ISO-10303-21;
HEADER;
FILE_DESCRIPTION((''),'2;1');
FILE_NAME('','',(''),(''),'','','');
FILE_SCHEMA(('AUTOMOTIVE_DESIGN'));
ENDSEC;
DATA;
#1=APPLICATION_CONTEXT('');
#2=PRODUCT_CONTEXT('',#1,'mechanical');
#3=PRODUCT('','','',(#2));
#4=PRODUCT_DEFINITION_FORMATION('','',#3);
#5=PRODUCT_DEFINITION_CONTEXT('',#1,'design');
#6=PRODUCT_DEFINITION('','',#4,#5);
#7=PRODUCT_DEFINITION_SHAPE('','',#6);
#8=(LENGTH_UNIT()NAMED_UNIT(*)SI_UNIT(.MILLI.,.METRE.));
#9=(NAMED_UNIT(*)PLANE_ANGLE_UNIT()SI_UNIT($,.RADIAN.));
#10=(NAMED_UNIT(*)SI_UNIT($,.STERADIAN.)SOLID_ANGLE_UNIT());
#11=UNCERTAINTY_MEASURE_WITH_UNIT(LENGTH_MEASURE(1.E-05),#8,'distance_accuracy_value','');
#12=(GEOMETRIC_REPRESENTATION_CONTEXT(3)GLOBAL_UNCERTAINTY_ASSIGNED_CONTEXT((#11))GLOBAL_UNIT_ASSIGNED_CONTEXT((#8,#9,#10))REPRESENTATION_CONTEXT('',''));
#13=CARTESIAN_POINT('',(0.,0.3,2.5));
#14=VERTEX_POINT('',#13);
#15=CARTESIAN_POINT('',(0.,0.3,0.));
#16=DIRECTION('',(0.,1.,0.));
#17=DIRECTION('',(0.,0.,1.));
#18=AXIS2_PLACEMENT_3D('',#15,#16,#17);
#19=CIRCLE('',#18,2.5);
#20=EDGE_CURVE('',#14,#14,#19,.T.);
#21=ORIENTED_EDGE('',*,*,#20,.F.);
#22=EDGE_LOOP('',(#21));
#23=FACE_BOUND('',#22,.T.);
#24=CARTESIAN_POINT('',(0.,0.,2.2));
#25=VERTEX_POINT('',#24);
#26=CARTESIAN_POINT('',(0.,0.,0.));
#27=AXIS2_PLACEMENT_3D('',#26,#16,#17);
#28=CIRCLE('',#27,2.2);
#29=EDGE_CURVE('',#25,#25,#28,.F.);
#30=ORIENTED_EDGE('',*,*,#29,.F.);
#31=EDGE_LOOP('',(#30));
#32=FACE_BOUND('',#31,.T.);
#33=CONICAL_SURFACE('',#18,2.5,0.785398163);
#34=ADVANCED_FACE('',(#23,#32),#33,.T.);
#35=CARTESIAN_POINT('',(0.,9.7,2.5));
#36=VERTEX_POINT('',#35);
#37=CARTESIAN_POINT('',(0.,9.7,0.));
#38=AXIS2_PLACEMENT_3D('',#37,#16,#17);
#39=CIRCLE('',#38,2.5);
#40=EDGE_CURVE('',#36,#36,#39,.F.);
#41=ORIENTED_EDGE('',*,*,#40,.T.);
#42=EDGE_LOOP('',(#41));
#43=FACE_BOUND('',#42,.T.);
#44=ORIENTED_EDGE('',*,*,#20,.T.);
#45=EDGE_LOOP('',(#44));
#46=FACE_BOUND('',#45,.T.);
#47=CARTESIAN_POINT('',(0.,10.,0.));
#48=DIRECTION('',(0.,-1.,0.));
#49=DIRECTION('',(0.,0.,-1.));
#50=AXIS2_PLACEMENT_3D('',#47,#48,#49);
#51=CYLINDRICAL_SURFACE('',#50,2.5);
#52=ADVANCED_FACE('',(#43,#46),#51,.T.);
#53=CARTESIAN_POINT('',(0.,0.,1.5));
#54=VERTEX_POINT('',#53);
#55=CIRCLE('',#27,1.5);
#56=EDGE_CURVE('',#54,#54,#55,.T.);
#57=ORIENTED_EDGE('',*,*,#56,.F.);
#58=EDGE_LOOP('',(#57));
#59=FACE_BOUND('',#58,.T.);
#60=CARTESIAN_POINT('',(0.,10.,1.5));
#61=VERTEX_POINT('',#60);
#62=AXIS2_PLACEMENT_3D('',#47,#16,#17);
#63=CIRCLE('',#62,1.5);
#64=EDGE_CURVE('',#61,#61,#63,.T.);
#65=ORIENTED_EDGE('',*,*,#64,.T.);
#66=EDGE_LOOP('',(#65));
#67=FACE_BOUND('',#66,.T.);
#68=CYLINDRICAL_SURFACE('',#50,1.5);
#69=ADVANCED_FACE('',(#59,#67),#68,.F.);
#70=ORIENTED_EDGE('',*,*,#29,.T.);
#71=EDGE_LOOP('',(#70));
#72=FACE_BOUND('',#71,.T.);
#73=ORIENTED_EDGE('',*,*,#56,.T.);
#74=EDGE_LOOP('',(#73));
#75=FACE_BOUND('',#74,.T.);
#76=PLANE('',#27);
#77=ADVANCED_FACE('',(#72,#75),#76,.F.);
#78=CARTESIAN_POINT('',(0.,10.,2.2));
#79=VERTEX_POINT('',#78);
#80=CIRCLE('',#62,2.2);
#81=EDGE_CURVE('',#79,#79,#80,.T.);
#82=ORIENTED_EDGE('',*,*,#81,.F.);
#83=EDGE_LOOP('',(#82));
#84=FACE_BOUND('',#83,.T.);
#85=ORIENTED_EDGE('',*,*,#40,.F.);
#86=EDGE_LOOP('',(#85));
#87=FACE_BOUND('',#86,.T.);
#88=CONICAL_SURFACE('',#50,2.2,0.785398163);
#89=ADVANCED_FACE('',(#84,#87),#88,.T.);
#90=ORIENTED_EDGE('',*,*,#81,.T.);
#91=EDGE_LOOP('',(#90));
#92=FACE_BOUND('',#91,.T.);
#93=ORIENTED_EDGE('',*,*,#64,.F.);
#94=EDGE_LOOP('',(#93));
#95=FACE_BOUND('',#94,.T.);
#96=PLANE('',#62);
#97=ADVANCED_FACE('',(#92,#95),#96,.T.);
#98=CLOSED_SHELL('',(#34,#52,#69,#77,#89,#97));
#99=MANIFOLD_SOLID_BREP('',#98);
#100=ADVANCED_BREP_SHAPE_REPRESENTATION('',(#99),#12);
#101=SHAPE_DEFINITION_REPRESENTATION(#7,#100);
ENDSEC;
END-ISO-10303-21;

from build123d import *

# Parameters (mm, degrees)
SKETCH_1_R      = 2.5
SKETCH_1_R_2    = 1.5
EXTRUDE_1_DEPTH = 10
CHAMFER_1_SIZE  = 0.3


with BuildPart() as part:
    # 草图1 → 凸台-拉伸1 (new body)
    with BuildSketch(Plane(origin=(0, 0, 0), x_dir=(1, 0, 0), z_dir=(0, 1, 0))):
        with Locations(Location((0, 0, 0), (0, 0, 270))):
            Circle(SKETCH_1_R)
        with Locations(Location((0, 0, 0), (0, 0, 270))):
            Circle(SKETCH_1_R_2, mode=Mode.SUBTRACT)
    extrude(amount=EXTRUDE_1_DEPTH)

    # 倒角1
    chamfer_1_edges = [part.edges().sort_by_distance(p)[0] for p in [
        (0, 0, -2.5),
        (0, 10, -2.5),
    ]]
    chamfer(chamfer_1_edges, length=CHAMFER_1_SIZE)


solid = part.part
